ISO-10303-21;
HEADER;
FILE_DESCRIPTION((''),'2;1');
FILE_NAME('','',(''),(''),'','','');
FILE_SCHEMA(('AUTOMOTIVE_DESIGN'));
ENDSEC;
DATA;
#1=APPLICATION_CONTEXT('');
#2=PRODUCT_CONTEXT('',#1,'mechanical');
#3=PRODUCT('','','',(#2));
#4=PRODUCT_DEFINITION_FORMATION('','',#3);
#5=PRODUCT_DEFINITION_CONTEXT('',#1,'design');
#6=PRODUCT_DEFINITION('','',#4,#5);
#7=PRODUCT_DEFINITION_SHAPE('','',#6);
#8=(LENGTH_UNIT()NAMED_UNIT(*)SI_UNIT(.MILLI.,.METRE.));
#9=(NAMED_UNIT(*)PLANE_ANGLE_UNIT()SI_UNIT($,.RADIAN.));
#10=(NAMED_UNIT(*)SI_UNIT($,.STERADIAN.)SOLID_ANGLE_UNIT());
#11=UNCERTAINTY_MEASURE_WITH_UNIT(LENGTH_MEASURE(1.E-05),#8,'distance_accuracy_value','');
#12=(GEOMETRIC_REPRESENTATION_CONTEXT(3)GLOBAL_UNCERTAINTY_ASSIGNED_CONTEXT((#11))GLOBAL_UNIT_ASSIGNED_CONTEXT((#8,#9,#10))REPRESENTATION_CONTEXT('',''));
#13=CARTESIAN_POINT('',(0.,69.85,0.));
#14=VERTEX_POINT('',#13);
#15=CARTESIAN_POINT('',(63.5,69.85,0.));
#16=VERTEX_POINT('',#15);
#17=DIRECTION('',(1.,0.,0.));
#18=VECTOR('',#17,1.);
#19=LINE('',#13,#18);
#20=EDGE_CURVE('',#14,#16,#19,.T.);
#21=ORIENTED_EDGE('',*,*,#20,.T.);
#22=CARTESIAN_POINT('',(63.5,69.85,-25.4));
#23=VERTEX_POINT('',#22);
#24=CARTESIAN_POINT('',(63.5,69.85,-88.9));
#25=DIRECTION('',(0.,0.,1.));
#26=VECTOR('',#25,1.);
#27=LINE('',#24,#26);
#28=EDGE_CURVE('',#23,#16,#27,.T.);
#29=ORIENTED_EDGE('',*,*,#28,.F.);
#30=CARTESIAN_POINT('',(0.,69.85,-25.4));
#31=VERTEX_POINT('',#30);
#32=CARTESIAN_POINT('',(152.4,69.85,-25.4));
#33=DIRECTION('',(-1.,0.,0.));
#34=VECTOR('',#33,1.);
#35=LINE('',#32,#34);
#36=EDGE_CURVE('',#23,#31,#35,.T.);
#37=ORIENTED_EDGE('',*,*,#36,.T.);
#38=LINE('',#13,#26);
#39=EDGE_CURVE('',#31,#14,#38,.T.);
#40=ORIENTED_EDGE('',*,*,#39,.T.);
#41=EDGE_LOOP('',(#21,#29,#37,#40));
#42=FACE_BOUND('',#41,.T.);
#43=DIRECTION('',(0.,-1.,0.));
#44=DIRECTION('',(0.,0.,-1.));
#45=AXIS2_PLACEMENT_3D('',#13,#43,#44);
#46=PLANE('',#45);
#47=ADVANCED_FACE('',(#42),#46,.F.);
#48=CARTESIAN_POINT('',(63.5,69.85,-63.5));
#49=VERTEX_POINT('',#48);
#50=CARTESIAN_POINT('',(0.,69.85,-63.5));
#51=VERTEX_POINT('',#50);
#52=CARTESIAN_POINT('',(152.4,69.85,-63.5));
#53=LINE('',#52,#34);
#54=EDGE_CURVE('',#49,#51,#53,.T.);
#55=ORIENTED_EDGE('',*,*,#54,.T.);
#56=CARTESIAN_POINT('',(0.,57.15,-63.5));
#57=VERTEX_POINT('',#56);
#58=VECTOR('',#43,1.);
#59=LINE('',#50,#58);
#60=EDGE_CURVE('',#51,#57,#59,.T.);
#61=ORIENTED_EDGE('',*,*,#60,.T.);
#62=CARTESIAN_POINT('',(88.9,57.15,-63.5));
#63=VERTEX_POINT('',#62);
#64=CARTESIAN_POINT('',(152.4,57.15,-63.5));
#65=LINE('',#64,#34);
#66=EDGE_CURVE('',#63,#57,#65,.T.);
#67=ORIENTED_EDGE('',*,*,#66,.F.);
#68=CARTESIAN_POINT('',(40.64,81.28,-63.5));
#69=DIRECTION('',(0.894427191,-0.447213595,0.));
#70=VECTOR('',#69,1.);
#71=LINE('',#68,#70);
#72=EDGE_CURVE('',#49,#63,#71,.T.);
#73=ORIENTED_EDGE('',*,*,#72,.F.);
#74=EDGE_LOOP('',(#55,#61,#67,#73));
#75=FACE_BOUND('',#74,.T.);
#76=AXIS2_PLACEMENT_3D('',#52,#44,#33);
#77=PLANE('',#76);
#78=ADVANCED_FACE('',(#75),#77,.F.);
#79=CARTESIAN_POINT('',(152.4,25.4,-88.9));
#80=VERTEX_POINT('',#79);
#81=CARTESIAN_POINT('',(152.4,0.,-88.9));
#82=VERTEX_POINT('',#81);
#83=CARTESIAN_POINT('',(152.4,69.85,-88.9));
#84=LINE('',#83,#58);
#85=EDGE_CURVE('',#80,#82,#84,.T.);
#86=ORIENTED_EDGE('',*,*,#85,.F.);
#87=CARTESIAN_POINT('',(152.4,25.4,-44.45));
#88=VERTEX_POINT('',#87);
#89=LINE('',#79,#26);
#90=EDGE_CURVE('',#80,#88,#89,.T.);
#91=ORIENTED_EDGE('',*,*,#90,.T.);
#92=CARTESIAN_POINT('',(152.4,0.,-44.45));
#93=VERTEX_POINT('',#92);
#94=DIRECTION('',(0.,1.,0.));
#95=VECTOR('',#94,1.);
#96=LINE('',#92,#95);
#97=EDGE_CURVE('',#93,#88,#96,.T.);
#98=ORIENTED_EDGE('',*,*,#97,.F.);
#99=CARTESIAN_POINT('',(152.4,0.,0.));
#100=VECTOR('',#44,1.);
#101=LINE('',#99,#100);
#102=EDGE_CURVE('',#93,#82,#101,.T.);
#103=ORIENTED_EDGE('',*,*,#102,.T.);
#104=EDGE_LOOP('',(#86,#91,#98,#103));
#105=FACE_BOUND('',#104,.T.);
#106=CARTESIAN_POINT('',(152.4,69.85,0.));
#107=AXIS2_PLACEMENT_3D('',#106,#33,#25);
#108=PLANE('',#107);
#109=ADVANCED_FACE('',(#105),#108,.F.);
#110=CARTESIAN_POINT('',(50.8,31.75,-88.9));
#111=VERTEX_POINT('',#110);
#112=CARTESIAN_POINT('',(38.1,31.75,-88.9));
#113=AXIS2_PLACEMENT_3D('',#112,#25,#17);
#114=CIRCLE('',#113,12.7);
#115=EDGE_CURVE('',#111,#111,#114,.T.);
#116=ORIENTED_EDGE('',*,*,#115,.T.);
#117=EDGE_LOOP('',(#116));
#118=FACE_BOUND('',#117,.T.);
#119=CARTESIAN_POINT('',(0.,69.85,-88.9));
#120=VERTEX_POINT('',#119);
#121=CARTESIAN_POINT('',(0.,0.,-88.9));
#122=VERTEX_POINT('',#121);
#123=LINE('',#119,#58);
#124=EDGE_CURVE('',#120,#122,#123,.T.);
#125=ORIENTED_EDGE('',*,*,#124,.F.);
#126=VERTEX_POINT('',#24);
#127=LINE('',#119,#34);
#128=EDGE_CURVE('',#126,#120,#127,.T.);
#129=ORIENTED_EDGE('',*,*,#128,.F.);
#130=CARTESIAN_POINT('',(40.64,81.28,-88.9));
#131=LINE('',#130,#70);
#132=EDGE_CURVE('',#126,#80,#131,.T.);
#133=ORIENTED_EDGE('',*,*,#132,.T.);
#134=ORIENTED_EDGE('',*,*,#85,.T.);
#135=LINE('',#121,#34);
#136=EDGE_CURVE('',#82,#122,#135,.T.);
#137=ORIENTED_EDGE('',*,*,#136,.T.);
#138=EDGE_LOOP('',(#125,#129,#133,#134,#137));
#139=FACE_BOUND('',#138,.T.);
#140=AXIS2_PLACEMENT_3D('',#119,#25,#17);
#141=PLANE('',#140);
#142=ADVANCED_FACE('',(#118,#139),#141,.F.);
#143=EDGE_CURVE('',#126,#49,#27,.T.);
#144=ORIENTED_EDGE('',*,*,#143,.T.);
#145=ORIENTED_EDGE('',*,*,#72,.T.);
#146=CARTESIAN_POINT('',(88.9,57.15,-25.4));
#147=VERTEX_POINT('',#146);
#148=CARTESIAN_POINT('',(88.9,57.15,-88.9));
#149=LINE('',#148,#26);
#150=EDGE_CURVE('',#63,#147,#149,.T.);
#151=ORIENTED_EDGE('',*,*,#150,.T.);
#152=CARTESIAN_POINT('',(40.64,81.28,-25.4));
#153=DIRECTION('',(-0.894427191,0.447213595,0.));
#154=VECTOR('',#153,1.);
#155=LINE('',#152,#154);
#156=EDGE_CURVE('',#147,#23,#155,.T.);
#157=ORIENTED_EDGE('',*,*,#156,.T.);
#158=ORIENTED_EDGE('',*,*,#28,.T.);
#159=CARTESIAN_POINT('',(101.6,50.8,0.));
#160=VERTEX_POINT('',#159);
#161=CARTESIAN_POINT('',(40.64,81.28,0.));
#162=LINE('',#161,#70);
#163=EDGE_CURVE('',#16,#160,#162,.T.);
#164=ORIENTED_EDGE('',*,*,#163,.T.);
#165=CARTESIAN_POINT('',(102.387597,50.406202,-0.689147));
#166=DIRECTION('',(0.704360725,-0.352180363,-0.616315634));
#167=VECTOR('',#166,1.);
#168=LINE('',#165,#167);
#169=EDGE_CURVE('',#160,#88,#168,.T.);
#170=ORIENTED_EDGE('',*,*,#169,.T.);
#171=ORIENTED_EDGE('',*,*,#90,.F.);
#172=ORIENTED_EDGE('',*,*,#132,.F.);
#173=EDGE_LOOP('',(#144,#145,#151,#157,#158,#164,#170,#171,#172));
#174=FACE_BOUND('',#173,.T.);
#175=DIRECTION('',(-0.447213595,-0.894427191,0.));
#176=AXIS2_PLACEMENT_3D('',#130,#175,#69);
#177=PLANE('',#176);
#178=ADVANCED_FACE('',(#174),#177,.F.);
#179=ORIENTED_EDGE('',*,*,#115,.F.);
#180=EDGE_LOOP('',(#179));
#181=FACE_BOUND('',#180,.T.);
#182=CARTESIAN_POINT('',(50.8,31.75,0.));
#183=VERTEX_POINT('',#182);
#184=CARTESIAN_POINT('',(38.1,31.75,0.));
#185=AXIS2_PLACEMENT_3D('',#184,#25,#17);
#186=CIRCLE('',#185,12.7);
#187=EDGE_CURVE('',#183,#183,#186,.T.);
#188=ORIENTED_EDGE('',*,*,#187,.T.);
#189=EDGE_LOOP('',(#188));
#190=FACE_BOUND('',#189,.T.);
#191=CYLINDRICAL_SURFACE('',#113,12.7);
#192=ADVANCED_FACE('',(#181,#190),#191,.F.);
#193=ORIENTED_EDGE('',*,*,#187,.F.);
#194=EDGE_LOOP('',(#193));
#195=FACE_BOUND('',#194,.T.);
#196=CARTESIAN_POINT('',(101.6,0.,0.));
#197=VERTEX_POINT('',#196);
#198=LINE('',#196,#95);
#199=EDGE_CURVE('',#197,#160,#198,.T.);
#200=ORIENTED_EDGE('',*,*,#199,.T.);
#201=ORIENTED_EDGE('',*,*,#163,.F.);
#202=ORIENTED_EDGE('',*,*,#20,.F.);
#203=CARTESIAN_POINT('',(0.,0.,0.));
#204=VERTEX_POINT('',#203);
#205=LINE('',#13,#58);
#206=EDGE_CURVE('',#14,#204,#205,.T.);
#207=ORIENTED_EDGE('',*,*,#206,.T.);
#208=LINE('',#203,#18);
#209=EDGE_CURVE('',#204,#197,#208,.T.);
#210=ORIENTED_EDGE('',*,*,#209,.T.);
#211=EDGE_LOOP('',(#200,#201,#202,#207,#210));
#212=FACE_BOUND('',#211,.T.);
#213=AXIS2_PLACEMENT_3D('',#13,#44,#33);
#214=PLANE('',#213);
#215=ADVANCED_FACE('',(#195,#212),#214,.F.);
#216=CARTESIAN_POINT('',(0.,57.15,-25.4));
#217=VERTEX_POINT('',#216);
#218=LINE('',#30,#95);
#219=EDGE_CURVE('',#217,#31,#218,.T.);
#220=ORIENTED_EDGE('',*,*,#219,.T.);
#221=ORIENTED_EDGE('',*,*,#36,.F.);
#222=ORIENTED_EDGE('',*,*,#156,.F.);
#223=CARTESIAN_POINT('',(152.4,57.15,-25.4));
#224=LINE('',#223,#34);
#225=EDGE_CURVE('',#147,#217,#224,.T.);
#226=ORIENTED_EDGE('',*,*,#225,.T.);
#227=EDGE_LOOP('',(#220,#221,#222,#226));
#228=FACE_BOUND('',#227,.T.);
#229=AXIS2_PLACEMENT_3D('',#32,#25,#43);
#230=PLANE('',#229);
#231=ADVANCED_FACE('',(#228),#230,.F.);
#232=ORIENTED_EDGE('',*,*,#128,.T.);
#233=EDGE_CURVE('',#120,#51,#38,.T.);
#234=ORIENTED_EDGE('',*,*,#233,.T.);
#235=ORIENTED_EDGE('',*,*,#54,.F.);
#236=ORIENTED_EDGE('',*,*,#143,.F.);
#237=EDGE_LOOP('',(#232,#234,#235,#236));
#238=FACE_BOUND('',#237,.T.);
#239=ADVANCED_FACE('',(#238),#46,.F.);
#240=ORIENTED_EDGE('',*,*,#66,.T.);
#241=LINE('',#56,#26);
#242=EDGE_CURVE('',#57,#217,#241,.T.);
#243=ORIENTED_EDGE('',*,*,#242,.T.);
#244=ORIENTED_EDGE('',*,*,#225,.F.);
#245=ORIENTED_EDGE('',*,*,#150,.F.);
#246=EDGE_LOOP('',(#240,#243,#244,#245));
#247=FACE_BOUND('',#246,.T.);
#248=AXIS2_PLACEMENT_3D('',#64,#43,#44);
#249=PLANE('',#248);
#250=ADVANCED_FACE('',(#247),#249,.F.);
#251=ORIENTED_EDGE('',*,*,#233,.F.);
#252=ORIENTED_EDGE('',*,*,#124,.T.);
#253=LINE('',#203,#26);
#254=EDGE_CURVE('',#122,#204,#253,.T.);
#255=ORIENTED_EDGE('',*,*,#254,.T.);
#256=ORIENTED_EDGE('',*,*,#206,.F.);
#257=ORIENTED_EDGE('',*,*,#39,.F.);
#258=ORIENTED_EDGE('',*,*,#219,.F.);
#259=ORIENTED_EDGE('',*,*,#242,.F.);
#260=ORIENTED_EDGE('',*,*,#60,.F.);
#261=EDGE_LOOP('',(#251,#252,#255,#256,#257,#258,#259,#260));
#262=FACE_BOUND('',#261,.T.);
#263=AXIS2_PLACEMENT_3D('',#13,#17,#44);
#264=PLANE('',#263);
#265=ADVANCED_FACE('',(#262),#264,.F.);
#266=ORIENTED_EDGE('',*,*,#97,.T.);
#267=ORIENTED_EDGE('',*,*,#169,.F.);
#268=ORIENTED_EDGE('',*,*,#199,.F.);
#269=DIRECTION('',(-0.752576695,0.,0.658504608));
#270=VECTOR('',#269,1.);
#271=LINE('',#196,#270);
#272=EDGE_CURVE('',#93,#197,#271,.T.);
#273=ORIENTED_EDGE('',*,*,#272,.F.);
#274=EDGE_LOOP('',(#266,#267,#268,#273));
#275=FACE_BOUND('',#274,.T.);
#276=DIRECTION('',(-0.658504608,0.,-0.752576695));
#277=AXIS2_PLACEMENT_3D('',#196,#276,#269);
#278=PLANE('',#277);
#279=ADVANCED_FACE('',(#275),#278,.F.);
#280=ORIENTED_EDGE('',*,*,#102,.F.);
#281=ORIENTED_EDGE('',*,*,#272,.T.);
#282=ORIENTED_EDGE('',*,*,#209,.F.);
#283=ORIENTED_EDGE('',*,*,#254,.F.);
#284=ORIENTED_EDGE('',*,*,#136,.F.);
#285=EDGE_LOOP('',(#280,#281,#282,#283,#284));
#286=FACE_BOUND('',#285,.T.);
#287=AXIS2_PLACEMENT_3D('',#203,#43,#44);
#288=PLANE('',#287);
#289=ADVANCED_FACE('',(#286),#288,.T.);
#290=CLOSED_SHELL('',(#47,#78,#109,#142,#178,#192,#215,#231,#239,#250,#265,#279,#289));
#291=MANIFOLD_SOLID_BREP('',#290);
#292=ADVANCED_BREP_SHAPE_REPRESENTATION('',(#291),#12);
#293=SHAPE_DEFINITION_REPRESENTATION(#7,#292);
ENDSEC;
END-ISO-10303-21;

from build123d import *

# Parameters (mm, degrees)
SKETCH2_W           = 152.4
SKETCH2_H           = 88.9
BOSS_EXTRUDE1_DEPTH = 69.85
SKETCH3_R           = 12.7
CUT_EXTRUDE1_DEPTH  = 190.757720528
CUT_EXTRUDE4_DEPTH  = 190.757720528
SKETCH6_W           = 38.1
SKETCH6_H           = 12.7
CUT_EXTRUDE5_DEPTH  = 190.757720528


with BuildPart() as part:
    # Sketch2 → Boss-Extrude1 (new body)
    with BuildSketch(Plane(origin=(0, 0, 0), x_dir=(1, 0, 0), z_dir=(0, 1, 0))):
        with Locations((76.2, 44.45)):
            Rectangle(SKETCH2_W, SKETCH2_H)
    extrude(amount=BOSS_EXTRUDE1_DEPTH)

    # Sketch3 → Cut-Extrude1 (cut, through all)
    with BuildSketch(Plane.XY):
        Polygon((152.4, 69.85), (63.5, 69.85), (152.4, 25.4), align=None)
        with Locations((38.1, 31.75)):
            Circle(SKETCH3_R)
    extrude(amount=-CUT_EXTRUDE1_DEPTH, mode=Mode.SUBTRACT)

    # Sketch5 → Cut-Extrude4 (cut, through all)
    with BuildSketch(Plane(origin=(0, 69.85, 0), x_dir=(1, 0, 0), z_dir=(0, 1, 0))):
        Polygon((101.6, 0), (152.4, 44.45), (152.4, 0), align=None)
    extrude(amount=-CUT_EXTRUDE4_DEPTH, mode=Mode.SUBTRACT)

    # Sketch6 → Cut-Extrude5 (cut, through all)
    with BuildSketch(Plane.ZY):
        with Locations((-44.45, 63.5)):
            Rectangle(SKETCH6_W, SKETCH6_H)
    extrude(amount=-CUT_EXTRUDE5_DEPTH, mode=Mode.SUBTRACT)


solid = part.part
